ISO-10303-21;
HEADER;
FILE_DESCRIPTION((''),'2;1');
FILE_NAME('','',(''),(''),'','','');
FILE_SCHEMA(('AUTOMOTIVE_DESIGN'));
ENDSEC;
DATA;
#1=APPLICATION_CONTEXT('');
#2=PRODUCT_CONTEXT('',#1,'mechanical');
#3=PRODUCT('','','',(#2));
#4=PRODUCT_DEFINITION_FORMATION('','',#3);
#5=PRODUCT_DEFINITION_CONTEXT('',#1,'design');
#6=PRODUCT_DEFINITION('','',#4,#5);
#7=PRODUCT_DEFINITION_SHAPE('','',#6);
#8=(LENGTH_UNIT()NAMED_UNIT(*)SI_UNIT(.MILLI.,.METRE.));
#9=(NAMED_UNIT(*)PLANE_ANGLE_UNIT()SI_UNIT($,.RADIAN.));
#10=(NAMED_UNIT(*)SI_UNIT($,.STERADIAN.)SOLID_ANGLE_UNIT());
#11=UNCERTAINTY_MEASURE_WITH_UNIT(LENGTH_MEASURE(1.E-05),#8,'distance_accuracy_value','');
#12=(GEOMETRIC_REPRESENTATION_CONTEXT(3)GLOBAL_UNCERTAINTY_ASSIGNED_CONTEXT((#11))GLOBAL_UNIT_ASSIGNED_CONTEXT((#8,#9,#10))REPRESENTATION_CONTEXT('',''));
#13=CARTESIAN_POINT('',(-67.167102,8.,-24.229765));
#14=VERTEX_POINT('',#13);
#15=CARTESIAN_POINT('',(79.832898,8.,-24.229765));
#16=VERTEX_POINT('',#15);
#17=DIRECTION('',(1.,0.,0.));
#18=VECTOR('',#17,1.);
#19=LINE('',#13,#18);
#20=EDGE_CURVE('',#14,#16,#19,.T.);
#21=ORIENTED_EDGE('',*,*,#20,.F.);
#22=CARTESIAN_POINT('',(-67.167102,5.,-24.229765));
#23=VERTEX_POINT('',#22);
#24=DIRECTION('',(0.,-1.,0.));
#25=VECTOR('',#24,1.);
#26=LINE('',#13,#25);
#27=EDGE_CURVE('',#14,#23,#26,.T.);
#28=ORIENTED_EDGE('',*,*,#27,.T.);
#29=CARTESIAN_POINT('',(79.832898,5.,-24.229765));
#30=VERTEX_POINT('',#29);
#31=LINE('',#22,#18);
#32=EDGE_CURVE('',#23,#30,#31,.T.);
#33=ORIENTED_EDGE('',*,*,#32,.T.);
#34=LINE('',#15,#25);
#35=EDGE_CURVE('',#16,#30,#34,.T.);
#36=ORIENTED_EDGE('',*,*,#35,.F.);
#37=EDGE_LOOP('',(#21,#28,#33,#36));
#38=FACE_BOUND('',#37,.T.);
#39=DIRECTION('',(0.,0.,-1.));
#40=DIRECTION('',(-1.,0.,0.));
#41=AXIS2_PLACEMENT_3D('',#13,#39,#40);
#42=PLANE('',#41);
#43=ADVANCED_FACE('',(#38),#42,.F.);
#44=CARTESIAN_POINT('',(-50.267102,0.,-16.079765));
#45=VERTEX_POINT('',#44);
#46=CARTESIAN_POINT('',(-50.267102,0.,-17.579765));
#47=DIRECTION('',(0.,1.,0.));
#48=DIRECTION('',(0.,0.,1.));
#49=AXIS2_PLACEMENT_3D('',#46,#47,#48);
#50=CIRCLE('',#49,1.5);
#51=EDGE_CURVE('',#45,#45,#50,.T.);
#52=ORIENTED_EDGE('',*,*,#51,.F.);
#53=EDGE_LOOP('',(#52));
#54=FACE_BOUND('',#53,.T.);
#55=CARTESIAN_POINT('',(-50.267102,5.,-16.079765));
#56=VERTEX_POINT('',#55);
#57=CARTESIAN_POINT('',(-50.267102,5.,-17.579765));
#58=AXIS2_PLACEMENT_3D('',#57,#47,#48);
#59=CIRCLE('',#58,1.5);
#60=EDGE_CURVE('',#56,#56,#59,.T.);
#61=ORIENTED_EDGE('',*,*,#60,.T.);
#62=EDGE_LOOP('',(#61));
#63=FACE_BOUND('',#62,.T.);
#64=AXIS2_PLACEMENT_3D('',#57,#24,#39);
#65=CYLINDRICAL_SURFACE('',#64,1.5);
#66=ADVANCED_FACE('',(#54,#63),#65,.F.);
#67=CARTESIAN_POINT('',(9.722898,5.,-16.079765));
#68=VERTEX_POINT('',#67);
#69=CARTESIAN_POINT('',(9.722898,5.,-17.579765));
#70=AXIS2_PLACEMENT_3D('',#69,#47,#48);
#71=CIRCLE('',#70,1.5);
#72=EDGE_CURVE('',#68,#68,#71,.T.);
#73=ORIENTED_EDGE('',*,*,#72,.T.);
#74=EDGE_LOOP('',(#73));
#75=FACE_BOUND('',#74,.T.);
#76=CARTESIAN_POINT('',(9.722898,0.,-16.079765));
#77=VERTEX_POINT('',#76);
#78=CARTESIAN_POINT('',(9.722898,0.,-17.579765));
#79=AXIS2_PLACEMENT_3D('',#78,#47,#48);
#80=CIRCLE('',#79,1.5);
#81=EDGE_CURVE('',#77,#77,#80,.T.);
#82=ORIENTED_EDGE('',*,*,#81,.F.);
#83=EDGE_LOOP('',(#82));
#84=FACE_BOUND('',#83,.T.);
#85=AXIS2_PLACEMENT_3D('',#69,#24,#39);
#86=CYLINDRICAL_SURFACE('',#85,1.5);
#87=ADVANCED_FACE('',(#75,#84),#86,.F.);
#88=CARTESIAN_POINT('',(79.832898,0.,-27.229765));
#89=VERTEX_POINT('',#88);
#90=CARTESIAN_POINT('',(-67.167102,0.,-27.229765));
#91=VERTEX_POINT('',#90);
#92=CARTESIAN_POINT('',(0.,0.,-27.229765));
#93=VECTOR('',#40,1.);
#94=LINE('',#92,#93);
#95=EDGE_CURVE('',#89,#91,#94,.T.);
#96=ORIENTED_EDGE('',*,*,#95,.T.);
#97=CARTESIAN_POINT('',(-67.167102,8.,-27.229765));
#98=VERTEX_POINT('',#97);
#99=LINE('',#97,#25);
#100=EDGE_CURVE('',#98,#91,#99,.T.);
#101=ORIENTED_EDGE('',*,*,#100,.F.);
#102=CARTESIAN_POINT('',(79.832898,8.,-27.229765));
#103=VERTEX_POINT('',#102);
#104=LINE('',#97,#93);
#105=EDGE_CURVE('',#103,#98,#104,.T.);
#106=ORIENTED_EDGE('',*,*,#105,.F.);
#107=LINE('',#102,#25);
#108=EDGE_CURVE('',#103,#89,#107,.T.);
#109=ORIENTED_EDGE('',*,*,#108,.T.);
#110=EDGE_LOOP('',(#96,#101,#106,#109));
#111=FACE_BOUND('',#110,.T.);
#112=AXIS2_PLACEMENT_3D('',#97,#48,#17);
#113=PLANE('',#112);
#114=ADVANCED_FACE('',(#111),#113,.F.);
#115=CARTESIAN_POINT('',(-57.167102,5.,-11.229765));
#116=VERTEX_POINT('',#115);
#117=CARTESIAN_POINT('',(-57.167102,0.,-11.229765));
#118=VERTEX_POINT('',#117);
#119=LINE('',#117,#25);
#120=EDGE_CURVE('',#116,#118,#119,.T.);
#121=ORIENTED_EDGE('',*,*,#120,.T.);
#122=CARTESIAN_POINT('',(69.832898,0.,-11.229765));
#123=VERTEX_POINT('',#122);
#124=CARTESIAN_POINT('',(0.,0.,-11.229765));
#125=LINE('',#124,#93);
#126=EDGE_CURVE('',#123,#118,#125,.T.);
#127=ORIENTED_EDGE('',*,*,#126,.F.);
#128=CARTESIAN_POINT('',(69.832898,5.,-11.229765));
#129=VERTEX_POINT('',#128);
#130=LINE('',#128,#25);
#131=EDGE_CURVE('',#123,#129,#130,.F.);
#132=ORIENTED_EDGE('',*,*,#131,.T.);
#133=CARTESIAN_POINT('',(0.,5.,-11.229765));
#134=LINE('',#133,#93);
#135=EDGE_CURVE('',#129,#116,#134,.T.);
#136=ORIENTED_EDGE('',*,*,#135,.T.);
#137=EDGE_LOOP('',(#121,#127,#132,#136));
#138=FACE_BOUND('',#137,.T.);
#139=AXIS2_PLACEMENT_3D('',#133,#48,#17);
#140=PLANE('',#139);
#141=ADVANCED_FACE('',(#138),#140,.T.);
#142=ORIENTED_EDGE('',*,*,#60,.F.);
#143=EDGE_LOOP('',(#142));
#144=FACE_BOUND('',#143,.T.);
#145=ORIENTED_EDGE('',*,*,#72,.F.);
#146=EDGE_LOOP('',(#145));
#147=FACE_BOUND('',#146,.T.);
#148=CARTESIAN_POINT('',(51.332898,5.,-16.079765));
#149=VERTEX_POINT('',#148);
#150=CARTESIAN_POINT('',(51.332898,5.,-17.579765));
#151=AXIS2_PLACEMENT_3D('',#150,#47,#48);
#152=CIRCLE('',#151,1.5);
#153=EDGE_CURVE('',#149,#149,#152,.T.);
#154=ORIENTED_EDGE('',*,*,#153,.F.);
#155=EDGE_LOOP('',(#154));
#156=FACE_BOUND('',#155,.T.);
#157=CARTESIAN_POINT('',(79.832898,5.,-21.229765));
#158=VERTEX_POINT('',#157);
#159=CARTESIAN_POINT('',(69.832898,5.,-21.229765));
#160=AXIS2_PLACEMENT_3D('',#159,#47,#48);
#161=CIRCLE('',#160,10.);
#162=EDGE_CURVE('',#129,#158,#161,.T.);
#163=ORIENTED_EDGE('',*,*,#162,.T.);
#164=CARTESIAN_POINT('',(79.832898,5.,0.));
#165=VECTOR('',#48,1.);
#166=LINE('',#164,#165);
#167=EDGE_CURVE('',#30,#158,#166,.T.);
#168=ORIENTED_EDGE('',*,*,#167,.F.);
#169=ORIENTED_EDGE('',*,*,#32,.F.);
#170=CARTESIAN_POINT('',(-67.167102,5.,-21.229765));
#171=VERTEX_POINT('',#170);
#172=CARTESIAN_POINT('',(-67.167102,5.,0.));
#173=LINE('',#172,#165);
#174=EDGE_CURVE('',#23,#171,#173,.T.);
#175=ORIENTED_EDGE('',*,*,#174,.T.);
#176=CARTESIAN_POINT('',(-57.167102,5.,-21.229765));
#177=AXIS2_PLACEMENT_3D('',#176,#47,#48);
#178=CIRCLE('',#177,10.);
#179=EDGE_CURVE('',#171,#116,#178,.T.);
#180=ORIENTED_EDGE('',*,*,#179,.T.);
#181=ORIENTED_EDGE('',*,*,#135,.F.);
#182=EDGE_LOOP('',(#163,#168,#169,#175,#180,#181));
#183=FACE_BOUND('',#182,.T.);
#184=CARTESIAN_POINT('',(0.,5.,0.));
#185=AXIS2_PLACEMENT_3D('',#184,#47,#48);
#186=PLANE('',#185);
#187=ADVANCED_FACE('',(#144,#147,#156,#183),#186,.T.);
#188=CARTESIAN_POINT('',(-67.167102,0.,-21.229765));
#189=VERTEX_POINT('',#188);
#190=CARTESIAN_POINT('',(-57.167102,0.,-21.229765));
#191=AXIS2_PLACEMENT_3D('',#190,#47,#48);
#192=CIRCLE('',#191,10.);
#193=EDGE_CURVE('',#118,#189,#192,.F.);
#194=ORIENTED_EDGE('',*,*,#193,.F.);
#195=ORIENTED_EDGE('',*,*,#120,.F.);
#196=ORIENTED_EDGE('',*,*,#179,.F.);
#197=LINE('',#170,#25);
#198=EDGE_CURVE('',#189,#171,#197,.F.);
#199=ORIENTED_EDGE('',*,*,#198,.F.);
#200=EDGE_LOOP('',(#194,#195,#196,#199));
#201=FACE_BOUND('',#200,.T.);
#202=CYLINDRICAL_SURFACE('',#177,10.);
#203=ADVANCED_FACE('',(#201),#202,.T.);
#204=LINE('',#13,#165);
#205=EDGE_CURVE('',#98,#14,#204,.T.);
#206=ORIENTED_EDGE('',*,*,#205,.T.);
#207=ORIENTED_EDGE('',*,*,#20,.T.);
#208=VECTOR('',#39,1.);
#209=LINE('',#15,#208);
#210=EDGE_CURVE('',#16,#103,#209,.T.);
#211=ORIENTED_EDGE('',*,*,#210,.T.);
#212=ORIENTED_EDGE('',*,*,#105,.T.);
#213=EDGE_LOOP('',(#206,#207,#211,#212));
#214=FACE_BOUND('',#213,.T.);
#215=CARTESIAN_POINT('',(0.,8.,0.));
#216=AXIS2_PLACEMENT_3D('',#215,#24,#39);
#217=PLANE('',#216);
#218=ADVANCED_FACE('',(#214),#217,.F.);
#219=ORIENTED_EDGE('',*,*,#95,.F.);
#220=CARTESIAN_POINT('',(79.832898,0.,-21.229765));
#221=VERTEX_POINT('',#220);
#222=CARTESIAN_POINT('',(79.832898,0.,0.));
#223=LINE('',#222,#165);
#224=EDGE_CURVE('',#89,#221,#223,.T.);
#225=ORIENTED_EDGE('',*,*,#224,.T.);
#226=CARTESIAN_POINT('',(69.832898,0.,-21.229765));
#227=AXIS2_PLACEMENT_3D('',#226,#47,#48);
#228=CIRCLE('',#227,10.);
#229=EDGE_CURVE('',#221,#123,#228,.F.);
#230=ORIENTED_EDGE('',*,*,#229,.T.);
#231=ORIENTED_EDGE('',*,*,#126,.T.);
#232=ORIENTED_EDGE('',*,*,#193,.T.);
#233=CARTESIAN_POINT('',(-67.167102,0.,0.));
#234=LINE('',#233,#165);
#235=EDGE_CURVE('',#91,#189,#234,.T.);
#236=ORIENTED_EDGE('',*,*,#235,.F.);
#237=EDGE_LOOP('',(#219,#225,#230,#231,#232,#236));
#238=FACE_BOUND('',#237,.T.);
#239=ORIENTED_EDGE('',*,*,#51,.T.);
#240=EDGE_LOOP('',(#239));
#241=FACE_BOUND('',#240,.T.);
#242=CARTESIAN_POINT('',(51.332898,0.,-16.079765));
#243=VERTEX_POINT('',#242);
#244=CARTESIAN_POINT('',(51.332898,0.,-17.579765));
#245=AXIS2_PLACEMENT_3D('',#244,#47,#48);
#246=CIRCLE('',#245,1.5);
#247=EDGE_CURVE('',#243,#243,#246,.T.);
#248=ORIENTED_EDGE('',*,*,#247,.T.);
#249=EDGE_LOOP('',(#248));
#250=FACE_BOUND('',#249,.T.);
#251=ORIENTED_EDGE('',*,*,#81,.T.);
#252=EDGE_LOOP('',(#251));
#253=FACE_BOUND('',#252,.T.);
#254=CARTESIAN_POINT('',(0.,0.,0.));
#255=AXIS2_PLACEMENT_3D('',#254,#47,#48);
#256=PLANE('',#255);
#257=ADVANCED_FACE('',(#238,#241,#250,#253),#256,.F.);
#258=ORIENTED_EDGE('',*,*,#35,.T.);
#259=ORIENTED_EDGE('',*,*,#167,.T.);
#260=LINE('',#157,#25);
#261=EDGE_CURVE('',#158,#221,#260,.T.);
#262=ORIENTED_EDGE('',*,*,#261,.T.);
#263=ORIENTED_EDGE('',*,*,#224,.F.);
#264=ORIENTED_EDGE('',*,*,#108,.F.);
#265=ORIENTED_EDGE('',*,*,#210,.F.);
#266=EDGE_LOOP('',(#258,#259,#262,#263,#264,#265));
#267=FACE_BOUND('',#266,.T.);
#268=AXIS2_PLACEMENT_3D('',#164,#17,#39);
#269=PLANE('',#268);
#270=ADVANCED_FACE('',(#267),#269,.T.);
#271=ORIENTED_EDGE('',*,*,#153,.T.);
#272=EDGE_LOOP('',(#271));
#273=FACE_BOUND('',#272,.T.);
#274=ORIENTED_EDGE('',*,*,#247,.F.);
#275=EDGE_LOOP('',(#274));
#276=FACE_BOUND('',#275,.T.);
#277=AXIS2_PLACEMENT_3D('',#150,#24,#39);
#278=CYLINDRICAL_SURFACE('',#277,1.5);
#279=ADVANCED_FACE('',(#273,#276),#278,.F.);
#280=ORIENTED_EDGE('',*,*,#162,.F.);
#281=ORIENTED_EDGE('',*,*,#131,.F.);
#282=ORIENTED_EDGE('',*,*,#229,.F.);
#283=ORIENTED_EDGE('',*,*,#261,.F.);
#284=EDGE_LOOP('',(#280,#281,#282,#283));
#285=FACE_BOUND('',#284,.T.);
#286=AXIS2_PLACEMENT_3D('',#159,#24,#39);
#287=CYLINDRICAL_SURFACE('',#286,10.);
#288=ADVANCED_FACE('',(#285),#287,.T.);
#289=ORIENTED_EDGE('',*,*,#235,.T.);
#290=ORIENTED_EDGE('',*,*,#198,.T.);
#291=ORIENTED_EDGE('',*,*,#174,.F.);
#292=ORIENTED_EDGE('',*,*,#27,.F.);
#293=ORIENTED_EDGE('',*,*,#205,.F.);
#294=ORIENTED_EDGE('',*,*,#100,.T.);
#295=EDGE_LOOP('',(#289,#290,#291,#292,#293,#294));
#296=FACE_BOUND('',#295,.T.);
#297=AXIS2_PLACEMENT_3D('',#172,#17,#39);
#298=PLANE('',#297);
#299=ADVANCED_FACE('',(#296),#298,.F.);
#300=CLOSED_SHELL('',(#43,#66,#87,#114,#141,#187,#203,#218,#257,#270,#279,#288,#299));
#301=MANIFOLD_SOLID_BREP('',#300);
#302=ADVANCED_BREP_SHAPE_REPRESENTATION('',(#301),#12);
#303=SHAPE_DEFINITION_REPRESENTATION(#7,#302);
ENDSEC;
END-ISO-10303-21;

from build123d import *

# Parameters (mm, degrees)
SKETCH2_R           = 1.5
BOSS_EXTRUDE1_DEPTH = 5
SKETCH3_W           = 147
SKETCH3_H           = 3
BOSS_EXTRUDE2_DEPTH = 3
FILLET1_R           = 10
FILLET2_R           = 10
SKETCH4_W           = 194.268756053
SKETCH4_H           = 72.725923545
SKETCH4_W_2         = 127
SKETCH4_H_2         = 5
CUT_EXTRUDE1_DEPTH  = 10


with BuildPart() as part:
    # Sketch2 → Boss-Extrude1 (new body)
    with BuildSketch(Plane(origin=(0, 0, 0), x_dir=(1, 0, 0), z_dir=(0, 1, 0))):
        Polygon((79.832898172, 11.229765013), (51.332898172, 11.229765013), (9.722898172, 11.229765013), (-67.167101828, 11.229765013), (-67.167101828, 37.229765013), (79.832898172, 37.229765013), align=None)
        with Locations(Location((9.722898172, 17.579765013, 0), (0, 0, 270))):
            Circle(SKETCH2_R, mode=Mode.SUBTRACT)
        with Locations(Location((51.332898172, 17.579765013, 0), (0, 0, 270))):
            Circle(SKETCH2_R, mode=Mode.SUBTRACT)
        with Locations(Location((-50.267101828, 17.579765013, 0), (0, 0, 270))):
            Circle(SKETCH2_R, mode=Mode.SUBTRACT)
    extrude(amount=BOSS_EXTRUDE1_DEPTH)

    # Sketch3 → Boss-Extrude2 (add)
    with BuildSketch(Plane(origin=(0, 5, 0), x_dir=(1, 0, 0), z_dir=(0, 1, 0))):
        with Locations((6.332898172, 25.729765013)):
            Rectangle(SKETCH3_W, SKETCH3_H)
    extrude(amount=BOSS_EXTRUDE2_DEPTH)

    # Fillet1
    fillet1_edges = [part.edges().sort_by_distance(p)[0] for p in [
        (-67.167101828, 2.5, -37.229765013),
        (-67.167101828, 2.5, -11.229765013),
    ]]
    fillet(fillet1_edges, radius=FILLET1_R)

    # Fillet2
    fillet2_edges = [part.edges().sort_by_distance(p)[0] for p in [
        (79.832898172, 2.5, -37.229765013),
        (79.832898172, 2.5, -11.229765013),
    ]]
    fillet(fillet2_edges, radius=FILLET2_R)

    # Sketch4 → Cut-Extrude1 (cut)
    # profile 1 of 2: a face of its own
    with BuildSketch(Plane(origin=(0, 0, -37.229765013), x_dir=(-1, 0, 0), z_dir=(0, 0, -1))):
        with Locations((1.63687335, -5.593113251)):
            Rectangle(SKETCH4_W, SKETCH4_H)
        with Locations((-6.332898172, 2.5)):
            Rectangle(SKETCH4_W_2, SKETCH4_H_2, mode=Mode.SUBTRACT)
    # profile 2 of 2: a face of its own
    with BuildSketch(Plane(origin=(0, 0, -37.229765013), x_dir=(-1, 0, 0), z_dir=(0, 0, -1))):
        with Locations((-6.332898172, 2.5)):
            Rectangle(SKETCH4_W_2, SKETCH4_H_2)
    extrude(amount=-CUT_EXTRUDE1_DEPTH, mode=Mode.SUBTRACT)


solid = part.part
